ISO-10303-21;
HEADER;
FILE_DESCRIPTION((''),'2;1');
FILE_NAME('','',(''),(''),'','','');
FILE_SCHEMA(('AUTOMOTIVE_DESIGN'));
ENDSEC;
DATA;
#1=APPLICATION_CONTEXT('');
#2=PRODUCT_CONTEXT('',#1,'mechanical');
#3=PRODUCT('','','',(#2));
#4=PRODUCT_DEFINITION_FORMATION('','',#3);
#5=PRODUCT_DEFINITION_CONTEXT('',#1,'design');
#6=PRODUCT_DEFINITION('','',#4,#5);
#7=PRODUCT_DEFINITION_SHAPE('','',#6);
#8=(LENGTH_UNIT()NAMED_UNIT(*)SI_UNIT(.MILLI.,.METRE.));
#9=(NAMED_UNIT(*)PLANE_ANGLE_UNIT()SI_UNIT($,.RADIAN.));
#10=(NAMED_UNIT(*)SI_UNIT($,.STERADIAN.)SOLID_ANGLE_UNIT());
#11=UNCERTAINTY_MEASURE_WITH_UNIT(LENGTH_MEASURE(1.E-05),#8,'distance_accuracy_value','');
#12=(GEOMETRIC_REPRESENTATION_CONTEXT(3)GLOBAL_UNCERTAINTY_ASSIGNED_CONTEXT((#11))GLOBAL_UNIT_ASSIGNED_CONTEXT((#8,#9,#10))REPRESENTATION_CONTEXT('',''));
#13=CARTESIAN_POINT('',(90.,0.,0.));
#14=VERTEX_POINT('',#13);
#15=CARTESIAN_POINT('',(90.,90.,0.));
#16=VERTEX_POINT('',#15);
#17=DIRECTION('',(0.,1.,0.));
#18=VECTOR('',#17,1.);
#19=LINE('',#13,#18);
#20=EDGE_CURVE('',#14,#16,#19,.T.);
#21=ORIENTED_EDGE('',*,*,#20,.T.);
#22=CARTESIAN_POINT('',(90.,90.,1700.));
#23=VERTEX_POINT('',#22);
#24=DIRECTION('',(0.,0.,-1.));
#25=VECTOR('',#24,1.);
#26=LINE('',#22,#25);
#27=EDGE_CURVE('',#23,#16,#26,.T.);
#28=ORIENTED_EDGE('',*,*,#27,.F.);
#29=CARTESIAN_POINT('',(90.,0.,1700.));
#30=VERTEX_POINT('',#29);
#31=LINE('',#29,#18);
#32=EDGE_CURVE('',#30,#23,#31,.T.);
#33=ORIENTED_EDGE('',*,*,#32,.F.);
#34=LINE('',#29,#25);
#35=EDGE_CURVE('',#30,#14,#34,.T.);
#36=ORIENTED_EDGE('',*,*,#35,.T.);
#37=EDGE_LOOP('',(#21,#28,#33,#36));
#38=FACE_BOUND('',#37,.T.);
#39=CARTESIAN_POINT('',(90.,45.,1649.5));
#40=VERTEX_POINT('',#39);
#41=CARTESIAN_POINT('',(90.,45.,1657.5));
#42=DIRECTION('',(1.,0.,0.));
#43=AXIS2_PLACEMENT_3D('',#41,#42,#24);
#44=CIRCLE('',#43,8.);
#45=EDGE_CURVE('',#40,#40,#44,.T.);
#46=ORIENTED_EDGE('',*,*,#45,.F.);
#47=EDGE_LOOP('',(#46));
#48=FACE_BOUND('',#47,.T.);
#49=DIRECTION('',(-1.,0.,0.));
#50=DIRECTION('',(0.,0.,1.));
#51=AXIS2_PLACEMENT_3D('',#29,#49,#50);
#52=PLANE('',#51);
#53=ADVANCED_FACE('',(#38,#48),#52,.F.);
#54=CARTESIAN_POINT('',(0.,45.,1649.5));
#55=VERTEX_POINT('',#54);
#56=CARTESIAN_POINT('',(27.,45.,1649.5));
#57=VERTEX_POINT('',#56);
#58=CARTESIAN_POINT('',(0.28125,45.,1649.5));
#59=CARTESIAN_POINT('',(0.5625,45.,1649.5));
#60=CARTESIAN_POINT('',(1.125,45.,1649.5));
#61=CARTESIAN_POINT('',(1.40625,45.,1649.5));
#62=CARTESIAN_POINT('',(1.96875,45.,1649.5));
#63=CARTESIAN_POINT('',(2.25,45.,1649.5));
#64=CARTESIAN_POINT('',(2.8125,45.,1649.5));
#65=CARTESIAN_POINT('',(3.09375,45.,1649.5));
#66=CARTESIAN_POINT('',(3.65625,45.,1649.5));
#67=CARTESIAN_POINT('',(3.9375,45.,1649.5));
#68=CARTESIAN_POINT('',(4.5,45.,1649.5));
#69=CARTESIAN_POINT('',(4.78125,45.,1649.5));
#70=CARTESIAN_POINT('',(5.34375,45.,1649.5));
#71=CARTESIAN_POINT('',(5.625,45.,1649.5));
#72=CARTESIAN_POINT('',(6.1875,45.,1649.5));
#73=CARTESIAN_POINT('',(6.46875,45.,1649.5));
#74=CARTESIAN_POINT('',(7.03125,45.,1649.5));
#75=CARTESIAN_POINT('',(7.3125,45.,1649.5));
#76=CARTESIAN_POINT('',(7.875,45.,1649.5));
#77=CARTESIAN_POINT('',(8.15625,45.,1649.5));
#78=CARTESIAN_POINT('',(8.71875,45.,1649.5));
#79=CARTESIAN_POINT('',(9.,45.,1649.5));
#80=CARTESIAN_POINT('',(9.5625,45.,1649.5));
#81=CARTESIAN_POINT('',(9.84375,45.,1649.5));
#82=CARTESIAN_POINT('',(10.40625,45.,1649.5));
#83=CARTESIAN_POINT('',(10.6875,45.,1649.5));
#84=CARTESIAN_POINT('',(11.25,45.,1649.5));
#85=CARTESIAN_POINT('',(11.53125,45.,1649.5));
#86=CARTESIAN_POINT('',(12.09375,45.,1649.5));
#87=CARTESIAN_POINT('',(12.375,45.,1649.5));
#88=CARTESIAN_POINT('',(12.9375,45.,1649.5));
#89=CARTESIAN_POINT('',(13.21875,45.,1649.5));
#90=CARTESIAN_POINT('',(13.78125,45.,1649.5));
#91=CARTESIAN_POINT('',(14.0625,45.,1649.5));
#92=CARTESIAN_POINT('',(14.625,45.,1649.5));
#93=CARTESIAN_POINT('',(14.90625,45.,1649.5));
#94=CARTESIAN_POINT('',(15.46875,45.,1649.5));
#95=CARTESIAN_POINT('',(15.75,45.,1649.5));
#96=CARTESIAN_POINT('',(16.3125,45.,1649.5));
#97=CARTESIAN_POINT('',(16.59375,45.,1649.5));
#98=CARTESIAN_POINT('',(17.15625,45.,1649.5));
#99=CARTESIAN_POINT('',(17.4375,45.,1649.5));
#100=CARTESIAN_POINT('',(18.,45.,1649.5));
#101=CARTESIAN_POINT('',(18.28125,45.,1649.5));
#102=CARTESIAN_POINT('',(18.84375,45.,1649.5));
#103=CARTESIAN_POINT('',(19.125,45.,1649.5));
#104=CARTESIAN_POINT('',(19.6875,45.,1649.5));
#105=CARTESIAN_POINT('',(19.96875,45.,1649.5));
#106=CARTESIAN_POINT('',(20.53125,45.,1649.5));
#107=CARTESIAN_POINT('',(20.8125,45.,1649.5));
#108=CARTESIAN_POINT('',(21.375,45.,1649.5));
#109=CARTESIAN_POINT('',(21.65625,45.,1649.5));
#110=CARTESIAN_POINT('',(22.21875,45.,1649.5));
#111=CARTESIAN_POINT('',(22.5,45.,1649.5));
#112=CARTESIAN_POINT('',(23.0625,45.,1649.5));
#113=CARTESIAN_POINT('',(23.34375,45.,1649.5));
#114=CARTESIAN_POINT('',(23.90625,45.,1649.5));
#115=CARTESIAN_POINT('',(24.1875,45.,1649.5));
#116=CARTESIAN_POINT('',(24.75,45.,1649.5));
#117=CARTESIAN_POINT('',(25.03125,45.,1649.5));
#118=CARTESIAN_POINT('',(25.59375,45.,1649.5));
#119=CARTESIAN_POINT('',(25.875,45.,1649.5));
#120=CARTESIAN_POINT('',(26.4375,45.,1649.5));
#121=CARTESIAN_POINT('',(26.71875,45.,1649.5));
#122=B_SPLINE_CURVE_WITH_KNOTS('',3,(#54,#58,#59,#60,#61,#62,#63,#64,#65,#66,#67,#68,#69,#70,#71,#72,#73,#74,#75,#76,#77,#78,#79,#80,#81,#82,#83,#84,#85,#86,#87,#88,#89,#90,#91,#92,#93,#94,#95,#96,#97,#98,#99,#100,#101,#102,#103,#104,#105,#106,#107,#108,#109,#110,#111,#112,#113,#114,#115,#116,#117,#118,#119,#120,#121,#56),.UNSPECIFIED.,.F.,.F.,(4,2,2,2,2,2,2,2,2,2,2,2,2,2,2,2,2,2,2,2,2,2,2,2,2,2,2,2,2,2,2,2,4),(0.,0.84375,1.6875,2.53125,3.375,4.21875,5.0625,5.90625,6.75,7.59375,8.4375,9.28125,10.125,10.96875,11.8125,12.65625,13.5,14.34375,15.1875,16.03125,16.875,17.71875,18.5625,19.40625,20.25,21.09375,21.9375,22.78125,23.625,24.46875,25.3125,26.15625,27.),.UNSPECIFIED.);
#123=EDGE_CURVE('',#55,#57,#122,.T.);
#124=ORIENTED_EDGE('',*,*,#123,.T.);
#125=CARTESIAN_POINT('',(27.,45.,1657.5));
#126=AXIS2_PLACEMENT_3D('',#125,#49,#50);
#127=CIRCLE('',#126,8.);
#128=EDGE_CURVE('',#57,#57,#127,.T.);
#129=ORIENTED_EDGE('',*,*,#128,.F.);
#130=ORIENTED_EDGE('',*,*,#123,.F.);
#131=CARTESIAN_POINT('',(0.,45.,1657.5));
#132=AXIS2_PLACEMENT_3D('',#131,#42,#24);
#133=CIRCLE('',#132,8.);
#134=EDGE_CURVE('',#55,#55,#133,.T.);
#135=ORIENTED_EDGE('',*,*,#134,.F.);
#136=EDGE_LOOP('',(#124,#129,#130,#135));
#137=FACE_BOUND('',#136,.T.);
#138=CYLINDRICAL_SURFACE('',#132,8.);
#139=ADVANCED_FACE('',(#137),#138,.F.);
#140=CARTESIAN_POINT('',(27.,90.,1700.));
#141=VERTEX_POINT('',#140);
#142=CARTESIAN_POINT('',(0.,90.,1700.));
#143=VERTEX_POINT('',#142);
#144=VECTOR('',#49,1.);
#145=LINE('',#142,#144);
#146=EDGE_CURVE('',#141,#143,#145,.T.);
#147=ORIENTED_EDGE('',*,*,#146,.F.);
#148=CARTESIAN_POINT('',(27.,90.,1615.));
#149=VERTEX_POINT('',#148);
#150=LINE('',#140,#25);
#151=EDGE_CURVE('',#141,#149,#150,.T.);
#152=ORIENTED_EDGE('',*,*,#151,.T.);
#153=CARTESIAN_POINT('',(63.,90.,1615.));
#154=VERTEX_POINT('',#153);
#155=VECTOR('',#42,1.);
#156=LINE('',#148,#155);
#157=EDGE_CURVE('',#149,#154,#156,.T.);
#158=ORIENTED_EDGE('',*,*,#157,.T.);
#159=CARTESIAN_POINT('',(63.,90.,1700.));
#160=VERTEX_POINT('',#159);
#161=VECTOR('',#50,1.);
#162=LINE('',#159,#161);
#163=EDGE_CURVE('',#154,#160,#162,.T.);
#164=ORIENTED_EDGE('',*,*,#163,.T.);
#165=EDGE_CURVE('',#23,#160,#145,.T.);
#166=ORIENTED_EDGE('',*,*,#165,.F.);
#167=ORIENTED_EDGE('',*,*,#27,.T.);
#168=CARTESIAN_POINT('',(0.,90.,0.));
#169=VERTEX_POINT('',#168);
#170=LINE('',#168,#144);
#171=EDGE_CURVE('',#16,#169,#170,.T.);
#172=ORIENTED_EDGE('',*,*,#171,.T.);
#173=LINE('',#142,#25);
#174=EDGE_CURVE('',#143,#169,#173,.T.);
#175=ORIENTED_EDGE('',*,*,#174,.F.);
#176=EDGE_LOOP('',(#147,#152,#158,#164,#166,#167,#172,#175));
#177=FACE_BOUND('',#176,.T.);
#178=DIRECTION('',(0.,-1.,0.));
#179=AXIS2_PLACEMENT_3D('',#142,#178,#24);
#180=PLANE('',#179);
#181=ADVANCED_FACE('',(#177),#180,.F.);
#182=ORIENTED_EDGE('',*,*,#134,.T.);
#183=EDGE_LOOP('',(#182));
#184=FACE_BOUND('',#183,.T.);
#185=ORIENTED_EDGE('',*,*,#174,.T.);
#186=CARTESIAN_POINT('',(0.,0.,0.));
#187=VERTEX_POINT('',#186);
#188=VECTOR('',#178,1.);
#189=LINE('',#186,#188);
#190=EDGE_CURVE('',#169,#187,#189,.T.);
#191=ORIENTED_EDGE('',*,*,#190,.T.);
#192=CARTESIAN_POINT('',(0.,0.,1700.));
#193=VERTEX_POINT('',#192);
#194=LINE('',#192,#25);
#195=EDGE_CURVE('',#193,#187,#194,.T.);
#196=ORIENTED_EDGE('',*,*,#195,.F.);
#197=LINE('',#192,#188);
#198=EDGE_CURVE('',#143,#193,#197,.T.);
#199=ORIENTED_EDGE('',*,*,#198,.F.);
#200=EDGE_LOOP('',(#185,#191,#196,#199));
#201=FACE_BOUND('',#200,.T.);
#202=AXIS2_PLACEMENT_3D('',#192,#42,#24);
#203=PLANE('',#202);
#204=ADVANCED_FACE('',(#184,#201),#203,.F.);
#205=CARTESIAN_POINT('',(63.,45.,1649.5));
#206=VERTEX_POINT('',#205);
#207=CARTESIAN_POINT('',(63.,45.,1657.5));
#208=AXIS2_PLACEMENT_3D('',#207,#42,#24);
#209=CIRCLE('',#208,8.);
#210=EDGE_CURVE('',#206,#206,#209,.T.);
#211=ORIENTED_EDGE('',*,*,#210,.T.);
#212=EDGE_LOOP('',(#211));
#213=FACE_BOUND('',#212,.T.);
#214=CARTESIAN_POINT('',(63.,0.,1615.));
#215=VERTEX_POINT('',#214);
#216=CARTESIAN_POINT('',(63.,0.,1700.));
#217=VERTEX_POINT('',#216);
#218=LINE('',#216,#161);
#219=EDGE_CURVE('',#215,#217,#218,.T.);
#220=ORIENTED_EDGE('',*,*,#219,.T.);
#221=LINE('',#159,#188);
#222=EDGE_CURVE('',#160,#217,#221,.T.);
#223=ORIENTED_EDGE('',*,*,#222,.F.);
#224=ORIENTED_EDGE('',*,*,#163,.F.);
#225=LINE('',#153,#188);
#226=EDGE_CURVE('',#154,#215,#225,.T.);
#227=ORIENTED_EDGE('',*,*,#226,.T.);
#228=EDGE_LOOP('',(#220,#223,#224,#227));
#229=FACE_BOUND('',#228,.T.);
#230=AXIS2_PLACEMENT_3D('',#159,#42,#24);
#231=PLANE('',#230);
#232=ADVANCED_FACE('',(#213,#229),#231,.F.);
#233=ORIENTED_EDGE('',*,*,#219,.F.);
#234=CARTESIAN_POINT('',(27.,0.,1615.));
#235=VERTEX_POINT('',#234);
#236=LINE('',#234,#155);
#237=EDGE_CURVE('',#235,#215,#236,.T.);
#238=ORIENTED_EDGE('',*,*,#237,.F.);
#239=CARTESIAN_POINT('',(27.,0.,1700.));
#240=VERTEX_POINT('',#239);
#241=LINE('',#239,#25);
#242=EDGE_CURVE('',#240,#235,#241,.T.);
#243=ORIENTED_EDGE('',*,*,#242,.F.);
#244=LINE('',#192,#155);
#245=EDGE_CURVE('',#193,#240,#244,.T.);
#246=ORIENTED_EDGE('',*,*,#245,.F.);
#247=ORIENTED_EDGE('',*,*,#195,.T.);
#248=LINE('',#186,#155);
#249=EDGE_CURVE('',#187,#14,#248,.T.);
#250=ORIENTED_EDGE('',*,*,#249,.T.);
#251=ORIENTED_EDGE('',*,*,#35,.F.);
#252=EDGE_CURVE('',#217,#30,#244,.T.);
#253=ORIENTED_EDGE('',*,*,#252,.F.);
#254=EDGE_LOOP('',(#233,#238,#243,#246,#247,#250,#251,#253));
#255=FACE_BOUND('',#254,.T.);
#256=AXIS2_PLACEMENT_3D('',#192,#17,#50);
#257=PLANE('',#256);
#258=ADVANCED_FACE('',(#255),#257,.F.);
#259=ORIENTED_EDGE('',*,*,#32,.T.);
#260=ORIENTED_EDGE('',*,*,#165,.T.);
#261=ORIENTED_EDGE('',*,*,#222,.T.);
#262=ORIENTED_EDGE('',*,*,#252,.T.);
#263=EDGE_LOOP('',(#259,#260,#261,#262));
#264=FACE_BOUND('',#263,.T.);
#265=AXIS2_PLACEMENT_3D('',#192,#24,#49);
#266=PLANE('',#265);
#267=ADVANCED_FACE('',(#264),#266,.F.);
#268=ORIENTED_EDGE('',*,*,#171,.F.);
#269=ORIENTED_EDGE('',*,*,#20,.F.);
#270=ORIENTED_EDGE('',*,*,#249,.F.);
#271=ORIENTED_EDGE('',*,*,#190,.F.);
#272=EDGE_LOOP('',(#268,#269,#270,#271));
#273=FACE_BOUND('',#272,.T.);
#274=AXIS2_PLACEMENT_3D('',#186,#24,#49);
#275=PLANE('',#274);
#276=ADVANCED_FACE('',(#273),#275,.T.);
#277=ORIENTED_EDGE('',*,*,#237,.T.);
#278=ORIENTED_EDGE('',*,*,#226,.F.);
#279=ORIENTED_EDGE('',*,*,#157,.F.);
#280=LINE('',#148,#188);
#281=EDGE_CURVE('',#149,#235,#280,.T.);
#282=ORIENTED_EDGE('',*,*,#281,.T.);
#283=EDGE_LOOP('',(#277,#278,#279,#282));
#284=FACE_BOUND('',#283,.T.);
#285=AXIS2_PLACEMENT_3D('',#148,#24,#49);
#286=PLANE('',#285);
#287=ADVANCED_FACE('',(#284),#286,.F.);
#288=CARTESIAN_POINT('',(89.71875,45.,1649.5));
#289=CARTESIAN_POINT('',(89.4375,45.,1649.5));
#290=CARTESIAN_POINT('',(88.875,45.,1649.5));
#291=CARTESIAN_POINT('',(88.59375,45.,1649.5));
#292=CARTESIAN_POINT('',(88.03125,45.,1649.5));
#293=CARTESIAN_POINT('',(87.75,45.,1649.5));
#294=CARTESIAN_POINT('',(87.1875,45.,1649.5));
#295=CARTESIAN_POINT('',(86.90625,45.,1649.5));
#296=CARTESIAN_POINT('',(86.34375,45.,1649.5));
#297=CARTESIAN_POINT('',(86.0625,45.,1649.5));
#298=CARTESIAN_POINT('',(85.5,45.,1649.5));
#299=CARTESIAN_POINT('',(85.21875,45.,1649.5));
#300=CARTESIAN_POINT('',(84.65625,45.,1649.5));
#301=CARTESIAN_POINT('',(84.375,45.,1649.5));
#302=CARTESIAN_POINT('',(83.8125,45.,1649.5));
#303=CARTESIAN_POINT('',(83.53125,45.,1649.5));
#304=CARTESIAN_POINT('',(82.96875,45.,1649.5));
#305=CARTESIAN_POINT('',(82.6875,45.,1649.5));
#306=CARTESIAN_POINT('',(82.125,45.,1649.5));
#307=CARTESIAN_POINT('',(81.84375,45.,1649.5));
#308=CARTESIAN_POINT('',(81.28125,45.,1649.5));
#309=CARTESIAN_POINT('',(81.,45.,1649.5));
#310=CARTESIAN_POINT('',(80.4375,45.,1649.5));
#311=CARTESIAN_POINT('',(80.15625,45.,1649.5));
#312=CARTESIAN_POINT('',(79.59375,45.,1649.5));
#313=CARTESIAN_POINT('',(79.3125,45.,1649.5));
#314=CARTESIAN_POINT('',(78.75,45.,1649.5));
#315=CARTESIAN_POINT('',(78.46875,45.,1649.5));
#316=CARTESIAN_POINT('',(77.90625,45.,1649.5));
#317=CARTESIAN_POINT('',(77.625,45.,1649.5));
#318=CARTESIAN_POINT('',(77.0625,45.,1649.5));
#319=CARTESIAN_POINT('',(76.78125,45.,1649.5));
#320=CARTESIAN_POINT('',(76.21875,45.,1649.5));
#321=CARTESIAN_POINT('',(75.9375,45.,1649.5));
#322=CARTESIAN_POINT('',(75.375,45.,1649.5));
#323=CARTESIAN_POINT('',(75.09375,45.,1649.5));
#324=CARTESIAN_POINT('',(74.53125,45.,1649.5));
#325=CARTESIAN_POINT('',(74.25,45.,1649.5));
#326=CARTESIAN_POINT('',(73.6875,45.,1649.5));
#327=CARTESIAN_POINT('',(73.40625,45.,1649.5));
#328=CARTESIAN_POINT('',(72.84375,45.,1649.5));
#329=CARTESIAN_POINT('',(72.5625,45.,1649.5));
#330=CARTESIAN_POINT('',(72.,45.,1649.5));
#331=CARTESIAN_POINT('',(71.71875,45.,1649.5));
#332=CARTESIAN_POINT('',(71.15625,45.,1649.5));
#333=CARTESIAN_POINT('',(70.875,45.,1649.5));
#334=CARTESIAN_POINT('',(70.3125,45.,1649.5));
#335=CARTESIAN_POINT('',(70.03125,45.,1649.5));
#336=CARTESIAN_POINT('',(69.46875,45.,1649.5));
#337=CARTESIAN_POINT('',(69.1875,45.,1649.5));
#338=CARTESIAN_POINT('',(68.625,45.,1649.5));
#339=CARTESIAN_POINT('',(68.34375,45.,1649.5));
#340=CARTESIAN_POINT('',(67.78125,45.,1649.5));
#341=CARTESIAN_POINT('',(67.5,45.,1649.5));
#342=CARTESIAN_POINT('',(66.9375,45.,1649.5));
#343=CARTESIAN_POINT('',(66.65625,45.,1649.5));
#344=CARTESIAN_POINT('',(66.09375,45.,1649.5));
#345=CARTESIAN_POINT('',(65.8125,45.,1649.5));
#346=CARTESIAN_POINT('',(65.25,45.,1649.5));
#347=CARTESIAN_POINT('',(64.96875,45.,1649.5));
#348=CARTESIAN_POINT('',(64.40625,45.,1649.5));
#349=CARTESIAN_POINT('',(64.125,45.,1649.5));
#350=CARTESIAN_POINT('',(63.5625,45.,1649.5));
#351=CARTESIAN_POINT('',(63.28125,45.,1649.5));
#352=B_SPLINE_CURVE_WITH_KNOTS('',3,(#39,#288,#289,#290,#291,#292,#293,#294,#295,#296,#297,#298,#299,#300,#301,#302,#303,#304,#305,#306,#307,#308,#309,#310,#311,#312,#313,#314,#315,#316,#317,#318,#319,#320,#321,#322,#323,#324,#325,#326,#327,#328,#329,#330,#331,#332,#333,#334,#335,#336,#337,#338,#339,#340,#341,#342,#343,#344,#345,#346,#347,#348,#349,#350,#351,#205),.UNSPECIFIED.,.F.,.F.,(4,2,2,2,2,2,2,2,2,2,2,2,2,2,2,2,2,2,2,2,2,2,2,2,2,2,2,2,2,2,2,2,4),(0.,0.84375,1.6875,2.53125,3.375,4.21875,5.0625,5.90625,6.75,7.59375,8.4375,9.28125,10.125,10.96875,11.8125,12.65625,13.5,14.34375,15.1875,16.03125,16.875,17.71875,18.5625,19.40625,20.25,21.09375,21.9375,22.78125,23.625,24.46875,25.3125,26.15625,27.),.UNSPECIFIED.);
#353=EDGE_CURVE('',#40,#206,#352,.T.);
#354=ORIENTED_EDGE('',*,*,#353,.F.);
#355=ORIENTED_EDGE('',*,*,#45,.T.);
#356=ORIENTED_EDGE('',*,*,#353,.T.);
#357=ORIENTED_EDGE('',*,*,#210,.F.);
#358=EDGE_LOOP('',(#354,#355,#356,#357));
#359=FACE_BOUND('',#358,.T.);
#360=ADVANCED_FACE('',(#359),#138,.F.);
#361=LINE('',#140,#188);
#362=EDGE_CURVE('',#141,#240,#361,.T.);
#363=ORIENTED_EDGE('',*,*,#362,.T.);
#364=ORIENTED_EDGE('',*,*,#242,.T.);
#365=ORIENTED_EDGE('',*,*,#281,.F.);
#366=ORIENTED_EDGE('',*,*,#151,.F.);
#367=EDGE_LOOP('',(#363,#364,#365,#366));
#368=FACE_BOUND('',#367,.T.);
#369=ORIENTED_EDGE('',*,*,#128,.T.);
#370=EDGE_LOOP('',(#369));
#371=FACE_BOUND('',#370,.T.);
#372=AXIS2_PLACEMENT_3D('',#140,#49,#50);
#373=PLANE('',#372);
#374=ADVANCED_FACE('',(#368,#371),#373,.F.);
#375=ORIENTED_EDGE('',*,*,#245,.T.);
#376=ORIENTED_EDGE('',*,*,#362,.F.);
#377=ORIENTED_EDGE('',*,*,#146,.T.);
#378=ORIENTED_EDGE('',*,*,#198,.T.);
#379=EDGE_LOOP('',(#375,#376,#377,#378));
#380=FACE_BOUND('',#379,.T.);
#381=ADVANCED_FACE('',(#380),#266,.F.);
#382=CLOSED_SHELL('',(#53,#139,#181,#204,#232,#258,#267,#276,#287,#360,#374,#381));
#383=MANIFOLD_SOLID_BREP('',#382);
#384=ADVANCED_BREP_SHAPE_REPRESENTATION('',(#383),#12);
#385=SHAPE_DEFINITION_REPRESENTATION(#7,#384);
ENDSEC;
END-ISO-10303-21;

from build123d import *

# Parameters (mm, degrees)
ESQUISSE1_W             = 90
ESQUISSE1_H             = 90
BOSS_EXTRU_1_DEPTH      = 1700
ESQUISSE2_W             = 36
ESQUISSE2_H             = 85
ENL_V_MAT_EXTRU_1_DEPTH = 1705.758047349
ESQUISSE3_R             = 8
ENL_V_MAT_EXTRU_2_DEPTH = 1705.758047349


with BuildPart() as part:
    # Esquisse1 → Boss.-Extru.1 (new body)
    with BuildSketch(Plane.XY):
        with Locations((45, 45)):
            Rectangle(ESQUISSE1_W, ESQUISSE1_H)
    extrude(amount=BOSS_EXTRU_1_DEPTH)

    # Esquisse2 → Enlèv. mat.-Extru.1 (cut, through all)
    with BuildSketch(Plane.XZ):
        with Locations((45, 1657.5)):
            Rectangle(ESQUISSE2_W, ESQUISSE2_H)
    extrude(amount=-ENL_V_MAT_EXTRU_1_DEPTH, mode=Mode.SUBTRACT)

    # Esquisse3 → Enlèv. mat.-Extru.2 (cut, through all)
    with BuildSketch(Plane(origin=(90, 0, 0), x_dir=(0, 0, -1), z_dir=(1, 0, 0))):
        with Locations((-1657.5, 45)):
            Circle(ESQUISSE3_R)
    extrude(amount=-ENL_V_MAT_EXTRU_2_DEPTH, mode=Mode.SUBTRACT)


solid = part.part
